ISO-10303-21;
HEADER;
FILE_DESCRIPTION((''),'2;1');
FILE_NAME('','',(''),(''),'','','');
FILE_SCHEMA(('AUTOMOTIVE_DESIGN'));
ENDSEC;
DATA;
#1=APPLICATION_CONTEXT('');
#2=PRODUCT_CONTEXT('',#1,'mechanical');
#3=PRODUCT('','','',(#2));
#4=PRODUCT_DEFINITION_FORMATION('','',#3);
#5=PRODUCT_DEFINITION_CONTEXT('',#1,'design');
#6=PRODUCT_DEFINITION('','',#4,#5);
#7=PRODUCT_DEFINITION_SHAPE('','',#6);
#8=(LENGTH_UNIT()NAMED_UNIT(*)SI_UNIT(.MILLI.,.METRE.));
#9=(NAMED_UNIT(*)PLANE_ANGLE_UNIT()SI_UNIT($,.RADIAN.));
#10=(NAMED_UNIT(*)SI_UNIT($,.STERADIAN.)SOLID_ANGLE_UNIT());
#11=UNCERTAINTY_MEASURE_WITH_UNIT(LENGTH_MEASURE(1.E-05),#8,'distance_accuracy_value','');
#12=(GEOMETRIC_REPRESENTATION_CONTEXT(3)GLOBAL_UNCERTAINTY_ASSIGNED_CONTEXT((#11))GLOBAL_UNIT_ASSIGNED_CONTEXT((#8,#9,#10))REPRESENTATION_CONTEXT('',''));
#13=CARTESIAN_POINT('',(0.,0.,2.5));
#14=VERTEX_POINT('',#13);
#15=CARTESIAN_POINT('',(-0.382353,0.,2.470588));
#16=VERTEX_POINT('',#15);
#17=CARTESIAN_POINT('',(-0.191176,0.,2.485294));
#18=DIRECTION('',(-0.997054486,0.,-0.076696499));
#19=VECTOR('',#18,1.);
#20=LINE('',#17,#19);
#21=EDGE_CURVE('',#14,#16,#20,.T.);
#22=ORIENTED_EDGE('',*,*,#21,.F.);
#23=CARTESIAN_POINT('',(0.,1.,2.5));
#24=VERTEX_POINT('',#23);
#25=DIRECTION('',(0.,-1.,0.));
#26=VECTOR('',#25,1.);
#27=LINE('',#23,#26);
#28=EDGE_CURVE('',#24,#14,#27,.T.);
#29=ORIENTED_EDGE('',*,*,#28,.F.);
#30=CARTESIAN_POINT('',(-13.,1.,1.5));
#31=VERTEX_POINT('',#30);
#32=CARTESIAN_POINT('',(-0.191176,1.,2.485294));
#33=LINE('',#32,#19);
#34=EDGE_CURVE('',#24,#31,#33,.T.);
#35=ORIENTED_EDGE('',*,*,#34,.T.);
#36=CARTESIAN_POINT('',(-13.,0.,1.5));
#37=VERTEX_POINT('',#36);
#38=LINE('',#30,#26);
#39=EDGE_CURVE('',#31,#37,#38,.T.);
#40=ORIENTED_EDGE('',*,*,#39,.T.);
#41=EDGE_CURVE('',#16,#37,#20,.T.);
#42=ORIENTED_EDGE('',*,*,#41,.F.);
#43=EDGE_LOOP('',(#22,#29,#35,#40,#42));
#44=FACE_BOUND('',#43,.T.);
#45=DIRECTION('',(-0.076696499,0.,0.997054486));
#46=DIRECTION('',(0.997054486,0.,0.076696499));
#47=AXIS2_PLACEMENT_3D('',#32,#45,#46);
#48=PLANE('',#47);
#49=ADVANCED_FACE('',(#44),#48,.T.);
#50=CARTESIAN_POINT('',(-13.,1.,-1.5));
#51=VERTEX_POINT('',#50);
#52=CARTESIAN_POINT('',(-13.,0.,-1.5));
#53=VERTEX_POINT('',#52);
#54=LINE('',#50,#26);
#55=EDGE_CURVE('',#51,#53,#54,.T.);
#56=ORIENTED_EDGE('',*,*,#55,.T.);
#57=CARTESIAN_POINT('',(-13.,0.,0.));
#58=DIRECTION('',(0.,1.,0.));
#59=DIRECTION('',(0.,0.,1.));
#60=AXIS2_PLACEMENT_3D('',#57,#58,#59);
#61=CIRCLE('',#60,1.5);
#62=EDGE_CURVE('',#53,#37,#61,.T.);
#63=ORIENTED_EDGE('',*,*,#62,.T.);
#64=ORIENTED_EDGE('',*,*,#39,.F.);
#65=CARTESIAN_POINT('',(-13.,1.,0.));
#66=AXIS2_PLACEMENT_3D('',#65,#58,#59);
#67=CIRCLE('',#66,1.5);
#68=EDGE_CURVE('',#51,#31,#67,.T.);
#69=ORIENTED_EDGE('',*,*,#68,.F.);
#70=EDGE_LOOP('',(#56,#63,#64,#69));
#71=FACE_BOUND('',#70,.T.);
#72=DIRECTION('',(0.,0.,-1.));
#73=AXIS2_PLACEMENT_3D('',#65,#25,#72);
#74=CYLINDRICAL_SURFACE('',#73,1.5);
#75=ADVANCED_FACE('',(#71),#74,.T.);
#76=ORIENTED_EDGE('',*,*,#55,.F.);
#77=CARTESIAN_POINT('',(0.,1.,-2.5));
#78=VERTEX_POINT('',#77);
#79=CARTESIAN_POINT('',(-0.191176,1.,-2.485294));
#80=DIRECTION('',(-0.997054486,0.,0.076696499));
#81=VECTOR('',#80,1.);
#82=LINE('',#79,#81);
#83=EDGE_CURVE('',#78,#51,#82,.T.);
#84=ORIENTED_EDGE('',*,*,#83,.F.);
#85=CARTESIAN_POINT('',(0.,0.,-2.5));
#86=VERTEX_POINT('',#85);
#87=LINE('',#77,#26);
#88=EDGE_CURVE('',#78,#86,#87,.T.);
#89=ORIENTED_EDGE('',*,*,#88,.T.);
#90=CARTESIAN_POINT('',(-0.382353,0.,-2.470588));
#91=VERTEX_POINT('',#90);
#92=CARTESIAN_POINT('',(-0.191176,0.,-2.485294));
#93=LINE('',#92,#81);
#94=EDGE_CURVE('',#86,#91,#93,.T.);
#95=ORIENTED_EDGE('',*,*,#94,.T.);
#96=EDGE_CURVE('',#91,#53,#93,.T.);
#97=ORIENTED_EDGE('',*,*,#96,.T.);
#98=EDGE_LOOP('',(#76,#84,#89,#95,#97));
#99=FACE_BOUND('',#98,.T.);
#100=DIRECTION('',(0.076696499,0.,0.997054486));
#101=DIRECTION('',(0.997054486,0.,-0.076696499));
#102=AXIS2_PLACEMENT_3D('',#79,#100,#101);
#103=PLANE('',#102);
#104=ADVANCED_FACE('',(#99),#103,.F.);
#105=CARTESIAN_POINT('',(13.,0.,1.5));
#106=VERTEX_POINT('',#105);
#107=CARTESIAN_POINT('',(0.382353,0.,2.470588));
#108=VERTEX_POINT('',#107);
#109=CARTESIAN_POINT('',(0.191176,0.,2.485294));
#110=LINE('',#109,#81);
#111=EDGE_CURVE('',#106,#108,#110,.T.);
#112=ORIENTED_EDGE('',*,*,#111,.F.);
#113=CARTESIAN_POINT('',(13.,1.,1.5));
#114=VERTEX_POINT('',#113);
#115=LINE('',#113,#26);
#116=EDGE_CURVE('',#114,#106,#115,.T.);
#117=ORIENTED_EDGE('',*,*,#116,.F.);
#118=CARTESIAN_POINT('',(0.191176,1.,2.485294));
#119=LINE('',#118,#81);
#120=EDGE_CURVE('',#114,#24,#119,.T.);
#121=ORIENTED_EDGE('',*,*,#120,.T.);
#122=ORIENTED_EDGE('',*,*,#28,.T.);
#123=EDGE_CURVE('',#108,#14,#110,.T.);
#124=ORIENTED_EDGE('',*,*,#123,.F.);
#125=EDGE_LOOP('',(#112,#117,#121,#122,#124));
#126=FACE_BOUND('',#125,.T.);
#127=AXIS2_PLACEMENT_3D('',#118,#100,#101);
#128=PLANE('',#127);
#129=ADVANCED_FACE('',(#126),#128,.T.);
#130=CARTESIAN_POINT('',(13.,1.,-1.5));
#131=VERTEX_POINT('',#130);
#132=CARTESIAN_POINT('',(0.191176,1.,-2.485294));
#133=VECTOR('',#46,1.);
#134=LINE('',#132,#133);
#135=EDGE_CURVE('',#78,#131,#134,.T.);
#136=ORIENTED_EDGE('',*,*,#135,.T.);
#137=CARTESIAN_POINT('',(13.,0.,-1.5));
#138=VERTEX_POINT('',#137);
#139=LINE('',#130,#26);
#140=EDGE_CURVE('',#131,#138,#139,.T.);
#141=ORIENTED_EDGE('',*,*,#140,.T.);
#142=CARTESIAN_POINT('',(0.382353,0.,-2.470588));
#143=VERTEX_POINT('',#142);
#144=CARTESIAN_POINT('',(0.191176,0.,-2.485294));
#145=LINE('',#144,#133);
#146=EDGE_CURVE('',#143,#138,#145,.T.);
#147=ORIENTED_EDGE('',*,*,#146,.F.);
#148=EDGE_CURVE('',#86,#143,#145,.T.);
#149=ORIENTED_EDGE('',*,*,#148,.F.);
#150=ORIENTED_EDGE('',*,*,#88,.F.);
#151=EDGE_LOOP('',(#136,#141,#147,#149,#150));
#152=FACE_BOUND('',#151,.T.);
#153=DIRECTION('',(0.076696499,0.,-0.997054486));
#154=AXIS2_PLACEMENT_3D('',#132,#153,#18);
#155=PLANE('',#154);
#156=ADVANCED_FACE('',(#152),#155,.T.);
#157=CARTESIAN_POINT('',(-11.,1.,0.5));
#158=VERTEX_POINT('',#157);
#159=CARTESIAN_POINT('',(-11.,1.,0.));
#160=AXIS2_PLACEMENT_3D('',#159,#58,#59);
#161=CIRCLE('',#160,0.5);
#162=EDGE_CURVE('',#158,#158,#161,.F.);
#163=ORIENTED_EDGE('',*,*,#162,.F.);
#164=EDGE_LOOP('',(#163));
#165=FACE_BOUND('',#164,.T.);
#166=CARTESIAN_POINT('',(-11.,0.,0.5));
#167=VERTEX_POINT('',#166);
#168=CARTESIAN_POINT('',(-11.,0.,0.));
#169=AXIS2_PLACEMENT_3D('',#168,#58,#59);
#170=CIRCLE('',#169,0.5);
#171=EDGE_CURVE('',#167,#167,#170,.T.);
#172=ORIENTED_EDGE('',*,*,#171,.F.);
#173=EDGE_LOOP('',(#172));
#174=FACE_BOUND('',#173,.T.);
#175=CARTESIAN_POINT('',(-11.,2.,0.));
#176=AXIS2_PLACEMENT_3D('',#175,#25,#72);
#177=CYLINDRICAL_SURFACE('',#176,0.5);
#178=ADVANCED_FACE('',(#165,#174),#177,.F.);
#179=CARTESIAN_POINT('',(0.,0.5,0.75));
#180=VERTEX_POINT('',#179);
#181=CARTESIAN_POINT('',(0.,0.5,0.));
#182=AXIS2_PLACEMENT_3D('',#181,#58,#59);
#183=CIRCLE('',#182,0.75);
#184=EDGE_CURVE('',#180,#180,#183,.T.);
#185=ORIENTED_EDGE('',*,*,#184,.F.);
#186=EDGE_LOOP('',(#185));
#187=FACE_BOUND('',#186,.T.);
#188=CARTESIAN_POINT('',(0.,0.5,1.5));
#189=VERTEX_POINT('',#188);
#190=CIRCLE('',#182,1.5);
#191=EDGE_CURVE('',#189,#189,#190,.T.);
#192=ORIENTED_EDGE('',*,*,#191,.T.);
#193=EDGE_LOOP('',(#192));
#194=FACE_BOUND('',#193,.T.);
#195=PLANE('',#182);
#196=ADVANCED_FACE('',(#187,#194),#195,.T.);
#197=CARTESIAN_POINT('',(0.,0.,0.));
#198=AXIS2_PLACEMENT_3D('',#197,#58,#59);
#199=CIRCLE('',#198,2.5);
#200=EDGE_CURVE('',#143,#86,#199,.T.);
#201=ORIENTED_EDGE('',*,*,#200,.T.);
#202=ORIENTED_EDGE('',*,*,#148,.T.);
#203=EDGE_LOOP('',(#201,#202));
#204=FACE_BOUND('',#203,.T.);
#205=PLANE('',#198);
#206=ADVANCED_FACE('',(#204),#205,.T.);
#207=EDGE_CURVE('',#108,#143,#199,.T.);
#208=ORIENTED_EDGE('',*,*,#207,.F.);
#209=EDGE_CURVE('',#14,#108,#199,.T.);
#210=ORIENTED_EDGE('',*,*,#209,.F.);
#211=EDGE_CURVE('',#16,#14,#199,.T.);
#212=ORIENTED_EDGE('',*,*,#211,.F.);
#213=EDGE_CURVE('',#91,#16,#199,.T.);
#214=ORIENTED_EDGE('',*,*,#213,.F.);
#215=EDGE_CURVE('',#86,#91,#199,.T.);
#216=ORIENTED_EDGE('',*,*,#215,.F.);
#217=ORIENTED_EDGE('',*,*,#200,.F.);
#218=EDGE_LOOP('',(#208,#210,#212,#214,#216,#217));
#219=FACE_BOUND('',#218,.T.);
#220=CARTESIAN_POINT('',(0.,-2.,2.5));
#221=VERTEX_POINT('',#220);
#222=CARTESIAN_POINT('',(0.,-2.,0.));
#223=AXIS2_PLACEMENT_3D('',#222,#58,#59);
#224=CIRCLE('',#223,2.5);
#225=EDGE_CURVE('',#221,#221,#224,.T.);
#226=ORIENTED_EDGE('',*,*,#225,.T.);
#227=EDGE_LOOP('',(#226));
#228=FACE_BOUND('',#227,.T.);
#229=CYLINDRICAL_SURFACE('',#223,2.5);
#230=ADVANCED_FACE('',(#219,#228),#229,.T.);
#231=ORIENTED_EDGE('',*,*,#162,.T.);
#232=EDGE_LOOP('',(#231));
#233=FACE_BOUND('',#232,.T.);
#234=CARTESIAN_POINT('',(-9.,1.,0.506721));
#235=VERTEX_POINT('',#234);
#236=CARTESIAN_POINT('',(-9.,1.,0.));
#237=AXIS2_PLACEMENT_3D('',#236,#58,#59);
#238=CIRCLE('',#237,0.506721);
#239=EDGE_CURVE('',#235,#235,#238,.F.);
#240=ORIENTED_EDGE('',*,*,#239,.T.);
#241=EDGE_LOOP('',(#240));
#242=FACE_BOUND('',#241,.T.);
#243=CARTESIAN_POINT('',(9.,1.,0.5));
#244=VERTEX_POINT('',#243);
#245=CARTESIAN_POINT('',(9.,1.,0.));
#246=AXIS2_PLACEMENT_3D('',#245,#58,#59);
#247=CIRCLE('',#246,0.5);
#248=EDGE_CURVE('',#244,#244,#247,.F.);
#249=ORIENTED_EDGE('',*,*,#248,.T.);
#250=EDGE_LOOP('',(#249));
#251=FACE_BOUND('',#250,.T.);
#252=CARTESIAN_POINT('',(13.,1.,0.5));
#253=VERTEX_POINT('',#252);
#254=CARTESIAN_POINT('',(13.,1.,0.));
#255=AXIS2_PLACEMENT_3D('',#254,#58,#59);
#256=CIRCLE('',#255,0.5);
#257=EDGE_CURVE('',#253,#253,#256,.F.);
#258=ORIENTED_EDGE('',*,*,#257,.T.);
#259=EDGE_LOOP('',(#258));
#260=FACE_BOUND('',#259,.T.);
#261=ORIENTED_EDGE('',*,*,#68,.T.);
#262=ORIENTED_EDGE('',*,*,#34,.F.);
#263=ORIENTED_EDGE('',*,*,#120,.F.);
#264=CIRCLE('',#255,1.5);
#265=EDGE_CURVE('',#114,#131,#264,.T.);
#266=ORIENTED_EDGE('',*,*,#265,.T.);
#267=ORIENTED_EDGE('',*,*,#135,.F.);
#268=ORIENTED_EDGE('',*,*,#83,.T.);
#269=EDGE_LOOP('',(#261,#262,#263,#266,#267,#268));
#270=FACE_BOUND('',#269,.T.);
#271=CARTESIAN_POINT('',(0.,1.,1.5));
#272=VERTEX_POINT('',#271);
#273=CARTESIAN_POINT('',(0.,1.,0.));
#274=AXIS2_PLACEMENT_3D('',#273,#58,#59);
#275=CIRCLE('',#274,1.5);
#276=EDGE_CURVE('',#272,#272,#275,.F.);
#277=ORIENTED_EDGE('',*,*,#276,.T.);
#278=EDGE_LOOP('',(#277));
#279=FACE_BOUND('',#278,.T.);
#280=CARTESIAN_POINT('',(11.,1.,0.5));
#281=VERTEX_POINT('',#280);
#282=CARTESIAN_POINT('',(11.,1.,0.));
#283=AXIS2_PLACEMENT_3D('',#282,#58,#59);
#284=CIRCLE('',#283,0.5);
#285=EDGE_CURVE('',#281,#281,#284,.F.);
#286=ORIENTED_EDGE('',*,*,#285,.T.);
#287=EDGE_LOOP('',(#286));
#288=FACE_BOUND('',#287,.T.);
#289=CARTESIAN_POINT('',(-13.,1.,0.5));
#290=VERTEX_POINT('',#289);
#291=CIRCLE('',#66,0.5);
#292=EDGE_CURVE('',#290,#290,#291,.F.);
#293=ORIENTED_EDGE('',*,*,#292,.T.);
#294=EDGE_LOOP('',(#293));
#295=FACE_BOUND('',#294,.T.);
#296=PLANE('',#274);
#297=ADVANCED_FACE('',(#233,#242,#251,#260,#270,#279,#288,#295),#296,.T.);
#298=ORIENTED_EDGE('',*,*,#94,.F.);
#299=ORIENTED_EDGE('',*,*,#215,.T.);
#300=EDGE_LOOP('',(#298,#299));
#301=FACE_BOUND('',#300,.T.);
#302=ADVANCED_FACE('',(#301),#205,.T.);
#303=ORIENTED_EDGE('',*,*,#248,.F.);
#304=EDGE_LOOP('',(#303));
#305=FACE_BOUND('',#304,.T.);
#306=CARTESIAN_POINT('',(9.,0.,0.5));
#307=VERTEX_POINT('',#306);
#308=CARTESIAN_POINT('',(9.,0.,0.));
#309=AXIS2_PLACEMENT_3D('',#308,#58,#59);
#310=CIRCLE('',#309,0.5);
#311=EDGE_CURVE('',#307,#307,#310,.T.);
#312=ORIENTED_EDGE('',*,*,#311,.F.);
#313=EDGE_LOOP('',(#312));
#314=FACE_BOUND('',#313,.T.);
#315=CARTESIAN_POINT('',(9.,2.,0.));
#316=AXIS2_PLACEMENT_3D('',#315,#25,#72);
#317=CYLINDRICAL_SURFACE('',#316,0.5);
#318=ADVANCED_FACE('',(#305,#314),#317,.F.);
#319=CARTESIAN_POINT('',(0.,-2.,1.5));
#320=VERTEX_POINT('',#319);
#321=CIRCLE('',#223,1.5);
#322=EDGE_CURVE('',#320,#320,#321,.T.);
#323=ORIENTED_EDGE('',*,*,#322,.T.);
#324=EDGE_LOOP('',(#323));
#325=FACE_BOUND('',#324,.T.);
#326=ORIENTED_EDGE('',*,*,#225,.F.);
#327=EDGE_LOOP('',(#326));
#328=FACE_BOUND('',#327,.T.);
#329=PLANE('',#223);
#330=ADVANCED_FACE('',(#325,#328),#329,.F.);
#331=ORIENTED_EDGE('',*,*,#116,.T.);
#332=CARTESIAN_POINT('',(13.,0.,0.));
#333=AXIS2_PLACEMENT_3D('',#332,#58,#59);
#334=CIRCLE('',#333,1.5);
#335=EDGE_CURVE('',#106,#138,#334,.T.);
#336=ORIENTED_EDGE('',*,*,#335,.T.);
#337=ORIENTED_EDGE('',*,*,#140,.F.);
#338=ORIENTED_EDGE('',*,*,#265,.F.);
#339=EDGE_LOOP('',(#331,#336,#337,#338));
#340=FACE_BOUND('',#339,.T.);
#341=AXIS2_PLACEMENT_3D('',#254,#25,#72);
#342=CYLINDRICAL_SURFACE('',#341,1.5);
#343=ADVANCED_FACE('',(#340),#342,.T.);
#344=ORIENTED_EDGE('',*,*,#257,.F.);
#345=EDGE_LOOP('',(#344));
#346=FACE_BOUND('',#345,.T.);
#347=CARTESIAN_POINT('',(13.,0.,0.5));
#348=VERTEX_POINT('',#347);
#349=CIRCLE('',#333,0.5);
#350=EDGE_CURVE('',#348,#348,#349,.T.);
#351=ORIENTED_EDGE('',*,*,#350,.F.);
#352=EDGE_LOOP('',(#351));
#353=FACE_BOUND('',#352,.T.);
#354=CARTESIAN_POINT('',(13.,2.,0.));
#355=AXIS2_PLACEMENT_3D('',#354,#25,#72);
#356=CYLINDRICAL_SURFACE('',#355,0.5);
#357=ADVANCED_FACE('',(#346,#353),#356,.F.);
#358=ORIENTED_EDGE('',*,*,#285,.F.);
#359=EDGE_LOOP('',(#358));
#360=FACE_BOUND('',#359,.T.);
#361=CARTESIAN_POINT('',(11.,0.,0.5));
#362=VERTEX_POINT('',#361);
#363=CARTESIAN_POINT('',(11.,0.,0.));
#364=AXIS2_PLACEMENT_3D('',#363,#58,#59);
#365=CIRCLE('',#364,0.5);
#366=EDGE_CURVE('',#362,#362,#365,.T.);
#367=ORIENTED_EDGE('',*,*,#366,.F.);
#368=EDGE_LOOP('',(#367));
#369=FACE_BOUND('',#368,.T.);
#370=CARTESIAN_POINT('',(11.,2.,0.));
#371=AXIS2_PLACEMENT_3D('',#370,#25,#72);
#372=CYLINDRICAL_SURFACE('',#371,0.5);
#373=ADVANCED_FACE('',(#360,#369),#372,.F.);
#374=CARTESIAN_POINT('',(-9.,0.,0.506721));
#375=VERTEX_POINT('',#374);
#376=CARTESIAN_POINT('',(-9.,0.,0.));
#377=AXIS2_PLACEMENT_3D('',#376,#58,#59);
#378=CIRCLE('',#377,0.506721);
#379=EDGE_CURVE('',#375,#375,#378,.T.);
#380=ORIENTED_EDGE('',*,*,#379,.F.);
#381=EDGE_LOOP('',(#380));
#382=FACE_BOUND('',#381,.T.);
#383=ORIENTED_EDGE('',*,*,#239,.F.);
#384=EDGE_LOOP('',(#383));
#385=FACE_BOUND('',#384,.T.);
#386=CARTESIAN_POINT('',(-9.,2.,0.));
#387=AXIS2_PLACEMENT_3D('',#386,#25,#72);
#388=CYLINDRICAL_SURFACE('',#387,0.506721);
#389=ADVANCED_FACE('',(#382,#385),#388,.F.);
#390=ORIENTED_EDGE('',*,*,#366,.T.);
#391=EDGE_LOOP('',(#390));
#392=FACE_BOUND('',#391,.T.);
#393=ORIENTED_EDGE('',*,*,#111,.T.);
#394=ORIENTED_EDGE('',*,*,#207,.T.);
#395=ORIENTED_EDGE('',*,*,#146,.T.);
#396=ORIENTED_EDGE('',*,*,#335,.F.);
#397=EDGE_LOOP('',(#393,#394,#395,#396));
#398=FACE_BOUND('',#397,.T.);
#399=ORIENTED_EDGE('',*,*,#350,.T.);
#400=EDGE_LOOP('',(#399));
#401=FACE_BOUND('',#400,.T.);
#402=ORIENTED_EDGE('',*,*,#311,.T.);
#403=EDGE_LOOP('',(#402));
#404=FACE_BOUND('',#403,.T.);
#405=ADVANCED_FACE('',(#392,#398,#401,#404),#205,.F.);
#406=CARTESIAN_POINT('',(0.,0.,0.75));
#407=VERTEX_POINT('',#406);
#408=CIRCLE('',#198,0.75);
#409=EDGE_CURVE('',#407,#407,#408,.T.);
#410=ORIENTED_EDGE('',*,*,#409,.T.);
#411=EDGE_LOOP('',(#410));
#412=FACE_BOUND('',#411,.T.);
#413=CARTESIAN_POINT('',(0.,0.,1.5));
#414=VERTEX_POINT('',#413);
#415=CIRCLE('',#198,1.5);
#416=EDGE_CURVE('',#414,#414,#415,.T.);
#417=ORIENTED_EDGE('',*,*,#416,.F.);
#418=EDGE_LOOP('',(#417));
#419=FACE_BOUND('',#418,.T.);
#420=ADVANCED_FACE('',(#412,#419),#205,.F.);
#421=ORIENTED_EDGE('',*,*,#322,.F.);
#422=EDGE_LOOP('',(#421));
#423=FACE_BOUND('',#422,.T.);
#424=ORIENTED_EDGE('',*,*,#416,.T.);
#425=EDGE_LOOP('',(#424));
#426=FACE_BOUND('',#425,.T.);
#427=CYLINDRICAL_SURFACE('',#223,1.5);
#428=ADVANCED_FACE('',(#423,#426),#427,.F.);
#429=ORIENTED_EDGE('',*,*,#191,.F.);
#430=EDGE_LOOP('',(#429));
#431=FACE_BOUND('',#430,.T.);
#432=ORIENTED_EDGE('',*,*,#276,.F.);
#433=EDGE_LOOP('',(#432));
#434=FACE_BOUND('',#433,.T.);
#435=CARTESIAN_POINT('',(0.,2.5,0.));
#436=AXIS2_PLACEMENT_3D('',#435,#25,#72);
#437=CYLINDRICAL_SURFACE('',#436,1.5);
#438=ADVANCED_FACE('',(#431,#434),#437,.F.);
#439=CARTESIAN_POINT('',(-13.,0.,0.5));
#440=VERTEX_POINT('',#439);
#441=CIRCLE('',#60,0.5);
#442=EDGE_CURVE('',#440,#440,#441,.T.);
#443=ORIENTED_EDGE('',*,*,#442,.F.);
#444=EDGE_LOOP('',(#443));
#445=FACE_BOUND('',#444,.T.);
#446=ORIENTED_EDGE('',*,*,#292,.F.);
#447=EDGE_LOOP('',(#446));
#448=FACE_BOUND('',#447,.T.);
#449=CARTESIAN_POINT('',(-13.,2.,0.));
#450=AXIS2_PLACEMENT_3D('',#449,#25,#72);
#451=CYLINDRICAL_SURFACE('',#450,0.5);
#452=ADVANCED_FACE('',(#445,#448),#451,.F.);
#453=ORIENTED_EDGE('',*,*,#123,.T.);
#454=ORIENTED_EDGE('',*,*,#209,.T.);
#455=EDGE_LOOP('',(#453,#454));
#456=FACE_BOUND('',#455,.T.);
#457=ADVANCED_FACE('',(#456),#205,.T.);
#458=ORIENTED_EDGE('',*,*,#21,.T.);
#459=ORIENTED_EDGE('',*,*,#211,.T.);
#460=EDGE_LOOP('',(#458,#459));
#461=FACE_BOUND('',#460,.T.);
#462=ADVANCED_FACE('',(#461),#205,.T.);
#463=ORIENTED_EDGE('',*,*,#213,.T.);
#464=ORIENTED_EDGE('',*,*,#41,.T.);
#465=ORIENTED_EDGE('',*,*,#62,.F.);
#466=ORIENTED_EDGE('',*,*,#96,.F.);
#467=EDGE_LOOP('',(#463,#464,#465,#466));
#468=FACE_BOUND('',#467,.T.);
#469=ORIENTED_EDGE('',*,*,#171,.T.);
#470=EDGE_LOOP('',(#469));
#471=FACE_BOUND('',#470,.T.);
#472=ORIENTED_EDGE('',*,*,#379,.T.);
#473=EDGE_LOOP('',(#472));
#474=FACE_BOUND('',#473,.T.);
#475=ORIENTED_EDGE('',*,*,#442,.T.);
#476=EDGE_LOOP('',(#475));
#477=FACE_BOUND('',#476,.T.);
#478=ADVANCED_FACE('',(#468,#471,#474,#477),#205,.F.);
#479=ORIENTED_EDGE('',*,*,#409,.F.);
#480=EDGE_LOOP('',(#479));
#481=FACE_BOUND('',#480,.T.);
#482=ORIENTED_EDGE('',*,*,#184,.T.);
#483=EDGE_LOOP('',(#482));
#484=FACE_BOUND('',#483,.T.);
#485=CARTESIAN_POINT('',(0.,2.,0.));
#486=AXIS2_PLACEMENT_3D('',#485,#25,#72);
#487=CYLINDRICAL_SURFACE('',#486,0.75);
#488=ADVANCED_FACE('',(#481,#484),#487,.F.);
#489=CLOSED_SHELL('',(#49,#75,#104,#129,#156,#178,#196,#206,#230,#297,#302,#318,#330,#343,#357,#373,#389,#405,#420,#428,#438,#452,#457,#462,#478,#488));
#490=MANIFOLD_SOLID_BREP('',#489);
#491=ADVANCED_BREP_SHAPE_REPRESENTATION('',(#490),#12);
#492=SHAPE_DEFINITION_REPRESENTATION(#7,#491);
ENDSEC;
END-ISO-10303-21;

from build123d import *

# Parameters (mm, degrees)
EXTRUDE_2_DEPTH     = 1
SKETCH_2_R          = 2.5
EXTRUDE_3_DEPTH     = 2
SKETCH_3_R          = 1.5
CUT_EXTRUDE_1_DEPTH = 2
SKETCH_4_R          = 0.75
CUT_EXTRUDE_2_DEPTH = 2
CUT_EXTRUDE_START   = 2.5
SKETCH_5_R          = 1.5
CUT_EXTRUDE_3_DEPTH = 2
SKETCH_6_R          = 0.5
SKETCH_6_R_2        = 0.506721332
CUT_EXTRUDE_6_DEPTH = 2


with BuildPart() as part:
    # 草图1 → 凸台-拉伸2 (new body)
    with BuildSketch(Plane(origin=(0, 0, 0), x_dir=(1, 0, 0), z_dir=(0, 1, 0))):
        with BuildLine():
            ThreePointArc((-13, 1.5), (-14.5, 0), (-13, -1.5))
            Line((-13, -1.5), (0, -2.5))
            Line((0, -2.5), (13, -1.5))
            ThreePointArc((13, -1.5), (14.5, 0), (13, 1.5))
            Line((13, 1.5), (0, 2.5))
            Line((0, 2.5), (-13, 1.5))
        make_face()
    extrude(amount=EXTRUDE_2_DEPTH)

    # 草图2 → 凸台-拉伸3 (add)
    with BuildSketch(Plane(origin=(0, 0, 0), x_dir=(1, 0, 0), z_dir=(0, 1, 0))):
        with Locations(Location((0, 0, 0), (0, 0, 270))):
            Circle(SKETCH_2_R)
    extrude(amount=-EXTRUDE_3_DEPTH)

    # 草图3 → 切除-拉伸1 (cut)
    with BuildSketch(Plane(origin=(0, 0, 0), x_dir=(1, 0, 0), z_dir=(0, 1, 0))):
        with Locations(Location((0, 0, 0), (0, 0, 270))):
            Circle(SKETCH_3_R)
    extrude(amount=-CUT_EXTRUDE_1_DEPTH, mode=Mode.SUBTRACT)

    # 草图4 → 切除-拉伸2 (cut)
    with BuildSketch(Plane(origin=(0, 0, 0), x_dir=(1, 0, 0), z_dir=(0, 1, 0))):
        with Locations(Location((0, 0, 0), (0, 0, 270))):
            Circle(SKETCH_4_R)
    extrude(amount=CUT_EXTRUDE_2_DEPTH, mode=Mode.SUBTRACT)

    # 草图5 → 切除-拉伸3 (cut)
    with BuildSketch(Plane(origin=(0, 0, 0), x_dir=(1, 0, 0), z_dir=(0, 1, 0)).offset(CUT_EXTRUDE_START)):
        with Locations(Location((0, 0, 0), (0, 0, 270))):
            Circle(SKETCH_5_R)
    extrude(amount=-CUT_EXTRUDE_3_DEPTH, mode=Mode.SUBTRACT)

    # 草图6 → 切除-拉伸6 (cut)
    with BuildSketch(Plane(origin=(0, 0, 0), x_dir=(1, 0, 0), z_dir=(0, 1, 0))):
        with Locations(Location((13, 0, 0), (0, 0, 270))):
            Circle(SKETCH_6_R)
        with Locations(Location((-13, 0, 0), (0, 0, 270))):
            Circle(SKETCH_6_R)
        with Locations(Location((11, 0, 0), (0, 0, 270))):
            Circle(SKETCH_6_R)
        with Locations(Location((9, 0, 0), (0, 0, 270))):
            Circle(SKETCH_6_R)
        with Locations(Location((-11, 0, 0), (0, 0, 270))):
            Circle(SKETCH_6_R)
        with Locations(Location((-9, 0, 0), (0, 0, 270))):
            Circle(SKETCH_6_R_2)
    extrude(amount=CUT_EXTRUDE_6_DEPTH, mode=Mode.SUBTRACT)


solid = part.part
